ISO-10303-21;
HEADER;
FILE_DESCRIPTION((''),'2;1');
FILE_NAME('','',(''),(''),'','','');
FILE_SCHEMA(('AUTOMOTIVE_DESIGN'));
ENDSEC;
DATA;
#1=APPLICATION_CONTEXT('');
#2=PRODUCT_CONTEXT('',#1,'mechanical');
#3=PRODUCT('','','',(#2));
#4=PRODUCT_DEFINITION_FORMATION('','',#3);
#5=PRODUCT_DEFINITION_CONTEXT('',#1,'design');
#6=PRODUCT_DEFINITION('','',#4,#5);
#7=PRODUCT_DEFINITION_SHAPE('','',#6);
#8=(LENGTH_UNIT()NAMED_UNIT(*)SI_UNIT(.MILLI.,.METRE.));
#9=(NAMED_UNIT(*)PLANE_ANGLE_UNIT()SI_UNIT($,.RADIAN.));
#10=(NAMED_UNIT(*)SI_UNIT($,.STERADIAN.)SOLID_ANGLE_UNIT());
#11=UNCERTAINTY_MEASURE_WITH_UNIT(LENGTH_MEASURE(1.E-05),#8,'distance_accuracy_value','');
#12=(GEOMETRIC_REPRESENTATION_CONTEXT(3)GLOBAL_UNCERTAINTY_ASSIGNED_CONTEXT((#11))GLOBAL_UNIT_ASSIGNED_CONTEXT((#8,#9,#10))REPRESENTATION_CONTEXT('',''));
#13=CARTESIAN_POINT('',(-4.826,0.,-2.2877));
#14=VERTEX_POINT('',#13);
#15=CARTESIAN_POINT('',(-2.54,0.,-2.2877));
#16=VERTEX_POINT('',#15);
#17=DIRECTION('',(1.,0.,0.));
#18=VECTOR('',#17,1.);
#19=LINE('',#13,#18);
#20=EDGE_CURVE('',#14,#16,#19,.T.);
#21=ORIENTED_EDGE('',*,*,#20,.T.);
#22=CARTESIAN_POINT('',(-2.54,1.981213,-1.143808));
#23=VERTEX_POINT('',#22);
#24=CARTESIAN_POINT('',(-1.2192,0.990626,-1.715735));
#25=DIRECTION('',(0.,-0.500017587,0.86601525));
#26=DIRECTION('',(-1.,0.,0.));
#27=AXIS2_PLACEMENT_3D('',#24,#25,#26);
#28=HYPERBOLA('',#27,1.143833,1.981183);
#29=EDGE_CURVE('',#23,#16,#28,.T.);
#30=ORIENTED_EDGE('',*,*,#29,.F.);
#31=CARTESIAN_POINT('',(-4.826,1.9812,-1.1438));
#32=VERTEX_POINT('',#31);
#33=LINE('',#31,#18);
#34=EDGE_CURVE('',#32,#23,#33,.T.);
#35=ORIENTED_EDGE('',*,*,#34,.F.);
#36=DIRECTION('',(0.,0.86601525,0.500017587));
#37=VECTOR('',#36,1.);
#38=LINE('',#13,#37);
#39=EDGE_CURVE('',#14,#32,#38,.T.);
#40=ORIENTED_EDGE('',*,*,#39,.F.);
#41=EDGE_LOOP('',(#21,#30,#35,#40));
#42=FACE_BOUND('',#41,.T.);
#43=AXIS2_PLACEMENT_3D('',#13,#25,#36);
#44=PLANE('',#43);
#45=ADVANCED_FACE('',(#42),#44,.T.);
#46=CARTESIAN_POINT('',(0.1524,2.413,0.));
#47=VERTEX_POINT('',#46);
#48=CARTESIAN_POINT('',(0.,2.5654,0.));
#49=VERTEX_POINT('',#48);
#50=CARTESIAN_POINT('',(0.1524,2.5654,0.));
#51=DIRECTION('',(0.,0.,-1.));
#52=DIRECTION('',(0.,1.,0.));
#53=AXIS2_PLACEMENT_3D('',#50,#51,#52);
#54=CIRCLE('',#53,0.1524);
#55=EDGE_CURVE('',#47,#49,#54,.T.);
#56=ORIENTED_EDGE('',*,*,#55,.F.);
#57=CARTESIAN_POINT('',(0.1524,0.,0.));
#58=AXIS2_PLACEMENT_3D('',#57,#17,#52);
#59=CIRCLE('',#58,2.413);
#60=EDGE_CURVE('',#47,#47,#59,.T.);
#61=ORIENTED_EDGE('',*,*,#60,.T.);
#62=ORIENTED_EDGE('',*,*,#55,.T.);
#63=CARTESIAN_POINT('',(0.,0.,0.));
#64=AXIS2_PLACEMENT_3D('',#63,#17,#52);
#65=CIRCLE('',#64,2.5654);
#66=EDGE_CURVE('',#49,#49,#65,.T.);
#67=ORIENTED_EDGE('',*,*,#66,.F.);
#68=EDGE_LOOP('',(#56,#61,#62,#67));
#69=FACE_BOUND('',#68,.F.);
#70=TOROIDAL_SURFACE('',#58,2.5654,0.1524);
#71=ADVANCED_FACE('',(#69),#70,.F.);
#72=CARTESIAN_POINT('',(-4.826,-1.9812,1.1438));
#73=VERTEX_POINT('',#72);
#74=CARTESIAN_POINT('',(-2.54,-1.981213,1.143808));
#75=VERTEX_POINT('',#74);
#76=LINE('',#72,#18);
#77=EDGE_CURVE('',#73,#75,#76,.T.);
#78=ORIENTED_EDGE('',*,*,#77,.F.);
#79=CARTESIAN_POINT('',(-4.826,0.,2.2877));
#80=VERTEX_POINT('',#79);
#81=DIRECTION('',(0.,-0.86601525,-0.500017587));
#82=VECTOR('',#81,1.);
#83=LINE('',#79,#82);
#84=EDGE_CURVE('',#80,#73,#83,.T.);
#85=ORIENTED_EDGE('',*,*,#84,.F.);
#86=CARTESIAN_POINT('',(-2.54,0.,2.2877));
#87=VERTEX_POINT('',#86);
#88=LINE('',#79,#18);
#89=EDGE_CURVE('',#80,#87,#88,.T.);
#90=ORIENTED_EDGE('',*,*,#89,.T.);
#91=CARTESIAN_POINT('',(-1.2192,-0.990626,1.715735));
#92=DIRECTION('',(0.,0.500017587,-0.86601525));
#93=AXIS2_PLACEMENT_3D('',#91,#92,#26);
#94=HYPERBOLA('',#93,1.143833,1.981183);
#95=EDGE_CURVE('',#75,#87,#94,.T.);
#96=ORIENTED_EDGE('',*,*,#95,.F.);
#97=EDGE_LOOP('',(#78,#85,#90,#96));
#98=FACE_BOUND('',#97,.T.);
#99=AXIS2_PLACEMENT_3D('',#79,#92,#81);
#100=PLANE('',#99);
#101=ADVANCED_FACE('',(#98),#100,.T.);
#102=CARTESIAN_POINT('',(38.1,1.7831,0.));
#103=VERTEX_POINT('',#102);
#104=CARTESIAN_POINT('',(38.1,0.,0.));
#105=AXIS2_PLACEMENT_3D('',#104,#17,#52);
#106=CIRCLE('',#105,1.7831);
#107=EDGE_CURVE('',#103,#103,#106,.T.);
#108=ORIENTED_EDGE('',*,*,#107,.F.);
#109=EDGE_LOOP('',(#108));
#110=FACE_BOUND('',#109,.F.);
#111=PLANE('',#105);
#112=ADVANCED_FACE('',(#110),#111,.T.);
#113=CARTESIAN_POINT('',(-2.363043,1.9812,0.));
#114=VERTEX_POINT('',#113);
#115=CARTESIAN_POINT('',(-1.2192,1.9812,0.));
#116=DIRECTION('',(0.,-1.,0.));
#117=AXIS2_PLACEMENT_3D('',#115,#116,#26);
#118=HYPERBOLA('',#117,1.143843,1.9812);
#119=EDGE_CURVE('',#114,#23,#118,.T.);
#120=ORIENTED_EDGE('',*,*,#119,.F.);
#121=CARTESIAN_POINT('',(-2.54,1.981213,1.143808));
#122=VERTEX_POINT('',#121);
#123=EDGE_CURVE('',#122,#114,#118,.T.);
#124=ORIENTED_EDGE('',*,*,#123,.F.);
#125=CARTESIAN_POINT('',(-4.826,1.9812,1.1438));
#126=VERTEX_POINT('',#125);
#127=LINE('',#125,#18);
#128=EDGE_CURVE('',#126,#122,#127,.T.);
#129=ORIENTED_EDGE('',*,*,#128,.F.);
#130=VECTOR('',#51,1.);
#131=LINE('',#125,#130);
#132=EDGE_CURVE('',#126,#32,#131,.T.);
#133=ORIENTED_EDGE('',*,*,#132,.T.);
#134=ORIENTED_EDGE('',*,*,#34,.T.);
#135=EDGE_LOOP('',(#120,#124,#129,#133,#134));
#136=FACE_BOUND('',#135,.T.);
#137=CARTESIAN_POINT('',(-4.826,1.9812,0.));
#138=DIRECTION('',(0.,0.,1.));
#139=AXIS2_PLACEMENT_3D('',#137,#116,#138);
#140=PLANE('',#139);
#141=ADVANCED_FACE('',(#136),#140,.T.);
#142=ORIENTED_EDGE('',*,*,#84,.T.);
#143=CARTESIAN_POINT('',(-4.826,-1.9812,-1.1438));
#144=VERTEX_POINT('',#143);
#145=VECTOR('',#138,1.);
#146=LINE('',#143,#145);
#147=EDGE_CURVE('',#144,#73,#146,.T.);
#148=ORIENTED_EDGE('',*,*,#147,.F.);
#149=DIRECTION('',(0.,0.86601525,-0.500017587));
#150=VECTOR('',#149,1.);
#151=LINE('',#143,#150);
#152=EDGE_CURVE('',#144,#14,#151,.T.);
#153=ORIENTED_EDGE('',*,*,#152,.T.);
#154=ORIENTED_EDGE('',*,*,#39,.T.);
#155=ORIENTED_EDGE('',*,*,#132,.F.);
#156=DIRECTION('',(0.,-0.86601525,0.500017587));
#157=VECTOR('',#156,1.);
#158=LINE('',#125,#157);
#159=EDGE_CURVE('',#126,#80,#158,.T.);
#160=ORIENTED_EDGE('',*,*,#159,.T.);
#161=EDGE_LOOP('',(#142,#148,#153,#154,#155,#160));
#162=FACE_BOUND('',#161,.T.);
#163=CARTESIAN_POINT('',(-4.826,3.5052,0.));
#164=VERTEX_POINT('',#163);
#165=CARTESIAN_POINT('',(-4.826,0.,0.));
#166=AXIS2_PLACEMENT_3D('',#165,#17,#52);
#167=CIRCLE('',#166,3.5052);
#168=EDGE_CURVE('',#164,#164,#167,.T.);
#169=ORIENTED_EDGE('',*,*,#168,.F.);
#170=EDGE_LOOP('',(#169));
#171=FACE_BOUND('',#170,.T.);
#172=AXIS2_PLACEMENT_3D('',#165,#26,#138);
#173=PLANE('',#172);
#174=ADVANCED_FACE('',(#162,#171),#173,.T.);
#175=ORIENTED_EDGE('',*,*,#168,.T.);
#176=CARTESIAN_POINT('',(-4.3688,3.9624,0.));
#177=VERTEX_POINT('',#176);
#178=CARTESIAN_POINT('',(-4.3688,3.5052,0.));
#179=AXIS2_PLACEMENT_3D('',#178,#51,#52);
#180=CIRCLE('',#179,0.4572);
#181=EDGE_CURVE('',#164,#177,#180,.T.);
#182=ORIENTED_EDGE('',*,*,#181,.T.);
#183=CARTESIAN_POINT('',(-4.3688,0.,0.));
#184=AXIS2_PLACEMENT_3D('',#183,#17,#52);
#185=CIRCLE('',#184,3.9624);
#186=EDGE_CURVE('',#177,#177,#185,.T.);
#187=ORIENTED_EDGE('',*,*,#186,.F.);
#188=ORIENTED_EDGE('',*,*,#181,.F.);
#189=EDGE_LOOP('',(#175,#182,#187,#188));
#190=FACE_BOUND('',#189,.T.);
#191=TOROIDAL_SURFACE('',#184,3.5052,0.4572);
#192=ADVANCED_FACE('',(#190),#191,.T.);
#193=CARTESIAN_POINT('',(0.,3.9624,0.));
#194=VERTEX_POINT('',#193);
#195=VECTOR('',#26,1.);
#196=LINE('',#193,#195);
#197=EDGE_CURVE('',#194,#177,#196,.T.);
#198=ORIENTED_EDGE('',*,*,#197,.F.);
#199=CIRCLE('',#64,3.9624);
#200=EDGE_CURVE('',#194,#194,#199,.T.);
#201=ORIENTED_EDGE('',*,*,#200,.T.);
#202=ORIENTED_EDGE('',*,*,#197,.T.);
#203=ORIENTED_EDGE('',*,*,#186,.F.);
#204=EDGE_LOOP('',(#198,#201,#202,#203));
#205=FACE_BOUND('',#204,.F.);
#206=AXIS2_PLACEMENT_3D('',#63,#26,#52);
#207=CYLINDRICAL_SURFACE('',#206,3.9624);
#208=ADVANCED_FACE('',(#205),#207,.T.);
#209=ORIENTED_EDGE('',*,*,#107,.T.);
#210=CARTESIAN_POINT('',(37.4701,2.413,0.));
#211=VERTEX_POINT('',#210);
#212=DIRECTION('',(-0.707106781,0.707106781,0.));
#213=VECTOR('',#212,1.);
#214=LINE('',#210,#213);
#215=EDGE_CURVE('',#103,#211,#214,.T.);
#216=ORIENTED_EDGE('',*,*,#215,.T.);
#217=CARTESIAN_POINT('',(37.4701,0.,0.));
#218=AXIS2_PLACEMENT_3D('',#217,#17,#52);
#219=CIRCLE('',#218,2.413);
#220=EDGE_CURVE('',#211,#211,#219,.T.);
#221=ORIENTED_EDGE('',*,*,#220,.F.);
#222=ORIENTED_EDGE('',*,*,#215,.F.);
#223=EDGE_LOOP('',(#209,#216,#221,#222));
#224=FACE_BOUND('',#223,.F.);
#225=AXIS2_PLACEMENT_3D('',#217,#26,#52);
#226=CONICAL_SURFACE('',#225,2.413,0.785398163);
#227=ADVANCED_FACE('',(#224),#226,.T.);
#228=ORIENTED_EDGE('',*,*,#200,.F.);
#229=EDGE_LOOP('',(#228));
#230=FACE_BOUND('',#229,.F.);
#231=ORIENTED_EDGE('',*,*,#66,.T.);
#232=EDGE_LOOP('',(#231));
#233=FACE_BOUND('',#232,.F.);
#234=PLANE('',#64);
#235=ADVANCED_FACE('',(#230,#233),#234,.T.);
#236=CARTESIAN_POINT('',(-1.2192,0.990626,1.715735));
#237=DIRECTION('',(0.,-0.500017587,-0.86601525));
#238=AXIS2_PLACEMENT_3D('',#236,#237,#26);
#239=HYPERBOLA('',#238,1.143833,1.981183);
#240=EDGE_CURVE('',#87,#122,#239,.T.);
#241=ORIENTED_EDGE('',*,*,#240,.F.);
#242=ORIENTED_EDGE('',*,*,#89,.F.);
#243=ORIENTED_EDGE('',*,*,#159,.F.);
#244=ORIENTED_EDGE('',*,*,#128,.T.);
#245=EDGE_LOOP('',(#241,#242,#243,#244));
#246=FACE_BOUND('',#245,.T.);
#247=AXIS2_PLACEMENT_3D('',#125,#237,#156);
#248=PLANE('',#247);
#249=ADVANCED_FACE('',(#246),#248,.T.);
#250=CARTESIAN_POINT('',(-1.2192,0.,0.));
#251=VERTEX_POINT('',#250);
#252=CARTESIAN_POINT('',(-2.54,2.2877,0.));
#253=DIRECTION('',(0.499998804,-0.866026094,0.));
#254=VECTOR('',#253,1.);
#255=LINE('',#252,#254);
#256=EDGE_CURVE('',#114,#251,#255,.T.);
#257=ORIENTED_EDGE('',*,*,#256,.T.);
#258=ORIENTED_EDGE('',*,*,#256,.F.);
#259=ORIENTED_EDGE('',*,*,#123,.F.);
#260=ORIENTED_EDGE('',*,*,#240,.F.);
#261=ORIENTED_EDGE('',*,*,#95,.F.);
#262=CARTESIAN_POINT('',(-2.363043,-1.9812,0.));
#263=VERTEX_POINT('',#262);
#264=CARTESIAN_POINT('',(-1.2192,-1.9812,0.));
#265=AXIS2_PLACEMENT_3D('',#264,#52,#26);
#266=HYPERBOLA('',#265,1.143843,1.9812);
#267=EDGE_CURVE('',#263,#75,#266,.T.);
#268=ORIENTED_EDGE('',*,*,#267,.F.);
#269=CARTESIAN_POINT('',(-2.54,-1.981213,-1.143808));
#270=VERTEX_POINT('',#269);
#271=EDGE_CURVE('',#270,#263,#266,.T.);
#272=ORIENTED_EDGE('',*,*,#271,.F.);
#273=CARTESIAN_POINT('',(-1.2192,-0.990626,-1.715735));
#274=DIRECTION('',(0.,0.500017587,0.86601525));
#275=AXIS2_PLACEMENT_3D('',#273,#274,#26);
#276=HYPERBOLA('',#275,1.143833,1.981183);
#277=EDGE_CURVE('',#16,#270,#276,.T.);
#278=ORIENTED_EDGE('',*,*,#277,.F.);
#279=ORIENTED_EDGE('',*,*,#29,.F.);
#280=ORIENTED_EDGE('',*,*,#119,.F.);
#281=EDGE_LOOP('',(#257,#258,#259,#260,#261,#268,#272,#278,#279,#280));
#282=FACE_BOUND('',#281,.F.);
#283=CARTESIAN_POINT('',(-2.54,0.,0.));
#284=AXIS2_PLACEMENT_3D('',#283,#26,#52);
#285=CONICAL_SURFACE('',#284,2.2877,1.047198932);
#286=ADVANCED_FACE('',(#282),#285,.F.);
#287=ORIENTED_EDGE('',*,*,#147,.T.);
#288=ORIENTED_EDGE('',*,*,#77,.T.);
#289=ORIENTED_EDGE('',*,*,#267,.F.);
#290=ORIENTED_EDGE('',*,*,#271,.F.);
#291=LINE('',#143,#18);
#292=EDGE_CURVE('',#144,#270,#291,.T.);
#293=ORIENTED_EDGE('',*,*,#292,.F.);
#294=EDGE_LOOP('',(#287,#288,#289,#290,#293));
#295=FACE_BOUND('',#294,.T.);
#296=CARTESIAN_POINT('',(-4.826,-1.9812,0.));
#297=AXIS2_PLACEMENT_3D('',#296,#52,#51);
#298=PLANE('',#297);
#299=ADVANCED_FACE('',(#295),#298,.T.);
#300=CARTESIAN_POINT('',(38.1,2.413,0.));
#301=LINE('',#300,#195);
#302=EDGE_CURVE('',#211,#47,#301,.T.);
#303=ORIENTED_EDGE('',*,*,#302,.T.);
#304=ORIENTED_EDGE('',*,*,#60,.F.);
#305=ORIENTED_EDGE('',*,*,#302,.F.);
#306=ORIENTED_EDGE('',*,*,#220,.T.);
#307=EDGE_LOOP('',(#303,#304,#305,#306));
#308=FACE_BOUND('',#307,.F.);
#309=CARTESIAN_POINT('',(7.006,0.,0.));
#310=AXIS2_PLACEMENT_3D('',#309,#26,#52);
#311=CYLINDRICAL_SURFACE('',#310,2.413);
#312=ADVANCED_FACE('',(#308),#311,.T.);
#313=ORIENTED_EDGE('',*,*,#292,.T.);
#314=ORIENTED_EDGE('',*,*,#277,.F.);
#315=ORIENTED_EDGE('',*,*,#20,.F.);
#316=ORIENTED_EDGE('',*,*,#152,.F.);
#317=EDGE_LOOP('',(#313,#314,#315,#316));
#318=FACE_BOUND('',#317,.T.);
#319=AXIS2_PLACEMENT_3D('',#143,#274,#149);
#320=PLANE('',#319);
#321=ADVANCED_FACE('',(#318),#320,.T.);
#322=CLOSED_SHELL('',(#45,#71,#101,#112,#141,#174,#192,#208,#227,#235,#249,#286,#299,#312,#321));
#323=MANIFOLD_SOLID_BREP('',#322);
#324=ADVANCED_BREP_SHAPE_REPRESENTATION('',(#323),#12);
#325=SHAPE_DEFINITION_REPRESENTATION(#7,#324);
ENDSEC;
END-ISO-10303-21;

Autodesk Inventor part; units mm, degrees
ref_plane "YZ Plane" through (0, 0, 0) normal (1, 0, 0) x (0, 1, 0)
ref_plane "XZ Plane" through (0, 0, 0) normal (0, 1, 0) x (-1, 0, 0)
sketch "Sketch1" plane through (0, 0, 0) normal (0, 0, 1) x (1, 0, 0)
  line L0 (-1.2192, 0) -> (38.1, 0)
  line L1 (38.1, 0) -> (38.1, 2.413)
  line L2 (38.1, 2.413) -> (9.652, 2.413)
  line L3 (9.652, 2.413) -> (7.006, 2.413)
  line L4 (7.006, 2.413) -> (0, 2.413)
  line L5 (0, 2.413) -> (0, 3.9624)
  line L6 (0, 3.9624) -> (-4.826, 3.9624)
  line L7 (-4.826, 3.9624) -> (-4.826, 2.2877)
  line L8 (-4.826, 2.2877) -> (-2.54, 2.2877)
  line L9 (-2.54, 2.2877) -> (-1.2192, 0)
  line L10 (-13.4112, 0) -> (46.6852, 0) projected
  line L11 (0, -0.7925) -> (0, 4.7549) projected
  line L12 (9.652, 2.413) -> (0, 2.413) construction
  dimension "d1" = 28.448
  dimension "d2" = 2.646
  dimension "d3" = 4.826
  dimension "d4" = 2.286
  dimension "d5" = 60
  dimension "d6" = 4.826
  dimension "d7" = 4.826
  dimension "d8" = 4.5754
  dimension "d9" = 7.9248
  dimension "d26" = 38.1
revolve "Body" add sketch "Sketch1" angle 360 about axis through (-1.2192, 0, 0) along (1, 0, 0)
sketch "Sketch2" plane through (-4.826, 0, 0) normal (-1, 0, 0) x (0, 0, 1)
  circle A0 centre (0, 0) radius 2.2877 projected
  line L0 (0, -5.5474) -> (0, 5.5474) projected
  line L1 (-5.5474, 0) -> (5.5474, 0) projected
  line L2 (2.2877, 0) -> (1.1438, -1.9812)
  line L3 (1.1438, -1.9812) -> (-1.1438, -1.9812)
  line L4 (-1.1438, -1.9812) -> (-2.2877, 0)
  line L5 (-2.2877, 0) -> (-1.1438, 1.9812)
  line L6 (-1.1438, 1.9812) -> (1.1438, 1.9812)
  line L7 (1.1438, 1.9812) -> (2.2877, 0)
extrude "Slot" add sketch "Sketch2" against normal up to next contours L7 A0 | A0 L2 | L6 L0 A0 | A0 L0 L3 | L0 L6 A0 | A0 L3 L0 | L4 A0 | A0 L5
fillet "Fillet1" radius 0.4572 1 edges at (-4.826, -3.9624, 0)
thread "Thread" size "10-24 UNC" class "2A" standard "ANSI Unified Screw Threads" length 28.448
chamfer "Chamfer1" distance 0.6299 distance2 0.6299 1 edges at (38.1, -2.413, 0) measured on face at (38.1, -0.781, 0.1925)
ref_plane "Work Plane1" through (29, 0, 0) normal (0, -1, 0) x (1, 0, 0)
fillet "Fillet2" radius 0.1524 1 edges at (0, -2.413, 0)
equation "\"d1\" = GEL"
equation "\"d3\" = KOH"
equation "\"d4\" = INTI"
equation "\"d6\" = GD"
equation "\"d7\" = BDM"
equation "\"d8\" = 1.1547 * SW"
equation "\"d9\" = KOD"
equation "\"d26\" = NLG"
equation "\"d30\" = R"
equation "\"d17\" = RR"
equation "\"d13\" = GEL"
equation "\"d15\" = -0.5 * SPD + 0.5 * GD"
equation "\"d16\" = GUL"
equation "\"GD\" = 4.826"
equation "\"NLG\" = 38.1"
equation "\"GEL\" = 28.448"
equation "\"KOD\" = 7.9248"
equation "\"KOH\" = 4.826"
equation "\"INTI\" = 2.286"
equation "\"GAL\" = 2.64592"
equation "\"GUL\" = 0.62992"
equation "\"BDM\" = 4.826"
equation "\"SW\" = 3.9624"
equation "\"RR\" = 0.4572"
equation "\"SPD\" = 3.56616"
equation "\"R\" = 0.1524"
equation "\"PHH\" = 0.127"
equation "\"GD1\" = SPD"
equation "\"THREADDIA\" = 4.826"
equation "\"FAWI\" = 45deg"
equation "\"KOH1\" = 4.3434"
equation "\"NND\" = 4.826"
equation "\"TOA\" = 30deg"
equation "\"E0\" = 1.155 * SW"
properties part number "ANSI B18.3 - No. 10 - 24 UNC - 1 1/2 HS HCS" material "Steel, Mild"
